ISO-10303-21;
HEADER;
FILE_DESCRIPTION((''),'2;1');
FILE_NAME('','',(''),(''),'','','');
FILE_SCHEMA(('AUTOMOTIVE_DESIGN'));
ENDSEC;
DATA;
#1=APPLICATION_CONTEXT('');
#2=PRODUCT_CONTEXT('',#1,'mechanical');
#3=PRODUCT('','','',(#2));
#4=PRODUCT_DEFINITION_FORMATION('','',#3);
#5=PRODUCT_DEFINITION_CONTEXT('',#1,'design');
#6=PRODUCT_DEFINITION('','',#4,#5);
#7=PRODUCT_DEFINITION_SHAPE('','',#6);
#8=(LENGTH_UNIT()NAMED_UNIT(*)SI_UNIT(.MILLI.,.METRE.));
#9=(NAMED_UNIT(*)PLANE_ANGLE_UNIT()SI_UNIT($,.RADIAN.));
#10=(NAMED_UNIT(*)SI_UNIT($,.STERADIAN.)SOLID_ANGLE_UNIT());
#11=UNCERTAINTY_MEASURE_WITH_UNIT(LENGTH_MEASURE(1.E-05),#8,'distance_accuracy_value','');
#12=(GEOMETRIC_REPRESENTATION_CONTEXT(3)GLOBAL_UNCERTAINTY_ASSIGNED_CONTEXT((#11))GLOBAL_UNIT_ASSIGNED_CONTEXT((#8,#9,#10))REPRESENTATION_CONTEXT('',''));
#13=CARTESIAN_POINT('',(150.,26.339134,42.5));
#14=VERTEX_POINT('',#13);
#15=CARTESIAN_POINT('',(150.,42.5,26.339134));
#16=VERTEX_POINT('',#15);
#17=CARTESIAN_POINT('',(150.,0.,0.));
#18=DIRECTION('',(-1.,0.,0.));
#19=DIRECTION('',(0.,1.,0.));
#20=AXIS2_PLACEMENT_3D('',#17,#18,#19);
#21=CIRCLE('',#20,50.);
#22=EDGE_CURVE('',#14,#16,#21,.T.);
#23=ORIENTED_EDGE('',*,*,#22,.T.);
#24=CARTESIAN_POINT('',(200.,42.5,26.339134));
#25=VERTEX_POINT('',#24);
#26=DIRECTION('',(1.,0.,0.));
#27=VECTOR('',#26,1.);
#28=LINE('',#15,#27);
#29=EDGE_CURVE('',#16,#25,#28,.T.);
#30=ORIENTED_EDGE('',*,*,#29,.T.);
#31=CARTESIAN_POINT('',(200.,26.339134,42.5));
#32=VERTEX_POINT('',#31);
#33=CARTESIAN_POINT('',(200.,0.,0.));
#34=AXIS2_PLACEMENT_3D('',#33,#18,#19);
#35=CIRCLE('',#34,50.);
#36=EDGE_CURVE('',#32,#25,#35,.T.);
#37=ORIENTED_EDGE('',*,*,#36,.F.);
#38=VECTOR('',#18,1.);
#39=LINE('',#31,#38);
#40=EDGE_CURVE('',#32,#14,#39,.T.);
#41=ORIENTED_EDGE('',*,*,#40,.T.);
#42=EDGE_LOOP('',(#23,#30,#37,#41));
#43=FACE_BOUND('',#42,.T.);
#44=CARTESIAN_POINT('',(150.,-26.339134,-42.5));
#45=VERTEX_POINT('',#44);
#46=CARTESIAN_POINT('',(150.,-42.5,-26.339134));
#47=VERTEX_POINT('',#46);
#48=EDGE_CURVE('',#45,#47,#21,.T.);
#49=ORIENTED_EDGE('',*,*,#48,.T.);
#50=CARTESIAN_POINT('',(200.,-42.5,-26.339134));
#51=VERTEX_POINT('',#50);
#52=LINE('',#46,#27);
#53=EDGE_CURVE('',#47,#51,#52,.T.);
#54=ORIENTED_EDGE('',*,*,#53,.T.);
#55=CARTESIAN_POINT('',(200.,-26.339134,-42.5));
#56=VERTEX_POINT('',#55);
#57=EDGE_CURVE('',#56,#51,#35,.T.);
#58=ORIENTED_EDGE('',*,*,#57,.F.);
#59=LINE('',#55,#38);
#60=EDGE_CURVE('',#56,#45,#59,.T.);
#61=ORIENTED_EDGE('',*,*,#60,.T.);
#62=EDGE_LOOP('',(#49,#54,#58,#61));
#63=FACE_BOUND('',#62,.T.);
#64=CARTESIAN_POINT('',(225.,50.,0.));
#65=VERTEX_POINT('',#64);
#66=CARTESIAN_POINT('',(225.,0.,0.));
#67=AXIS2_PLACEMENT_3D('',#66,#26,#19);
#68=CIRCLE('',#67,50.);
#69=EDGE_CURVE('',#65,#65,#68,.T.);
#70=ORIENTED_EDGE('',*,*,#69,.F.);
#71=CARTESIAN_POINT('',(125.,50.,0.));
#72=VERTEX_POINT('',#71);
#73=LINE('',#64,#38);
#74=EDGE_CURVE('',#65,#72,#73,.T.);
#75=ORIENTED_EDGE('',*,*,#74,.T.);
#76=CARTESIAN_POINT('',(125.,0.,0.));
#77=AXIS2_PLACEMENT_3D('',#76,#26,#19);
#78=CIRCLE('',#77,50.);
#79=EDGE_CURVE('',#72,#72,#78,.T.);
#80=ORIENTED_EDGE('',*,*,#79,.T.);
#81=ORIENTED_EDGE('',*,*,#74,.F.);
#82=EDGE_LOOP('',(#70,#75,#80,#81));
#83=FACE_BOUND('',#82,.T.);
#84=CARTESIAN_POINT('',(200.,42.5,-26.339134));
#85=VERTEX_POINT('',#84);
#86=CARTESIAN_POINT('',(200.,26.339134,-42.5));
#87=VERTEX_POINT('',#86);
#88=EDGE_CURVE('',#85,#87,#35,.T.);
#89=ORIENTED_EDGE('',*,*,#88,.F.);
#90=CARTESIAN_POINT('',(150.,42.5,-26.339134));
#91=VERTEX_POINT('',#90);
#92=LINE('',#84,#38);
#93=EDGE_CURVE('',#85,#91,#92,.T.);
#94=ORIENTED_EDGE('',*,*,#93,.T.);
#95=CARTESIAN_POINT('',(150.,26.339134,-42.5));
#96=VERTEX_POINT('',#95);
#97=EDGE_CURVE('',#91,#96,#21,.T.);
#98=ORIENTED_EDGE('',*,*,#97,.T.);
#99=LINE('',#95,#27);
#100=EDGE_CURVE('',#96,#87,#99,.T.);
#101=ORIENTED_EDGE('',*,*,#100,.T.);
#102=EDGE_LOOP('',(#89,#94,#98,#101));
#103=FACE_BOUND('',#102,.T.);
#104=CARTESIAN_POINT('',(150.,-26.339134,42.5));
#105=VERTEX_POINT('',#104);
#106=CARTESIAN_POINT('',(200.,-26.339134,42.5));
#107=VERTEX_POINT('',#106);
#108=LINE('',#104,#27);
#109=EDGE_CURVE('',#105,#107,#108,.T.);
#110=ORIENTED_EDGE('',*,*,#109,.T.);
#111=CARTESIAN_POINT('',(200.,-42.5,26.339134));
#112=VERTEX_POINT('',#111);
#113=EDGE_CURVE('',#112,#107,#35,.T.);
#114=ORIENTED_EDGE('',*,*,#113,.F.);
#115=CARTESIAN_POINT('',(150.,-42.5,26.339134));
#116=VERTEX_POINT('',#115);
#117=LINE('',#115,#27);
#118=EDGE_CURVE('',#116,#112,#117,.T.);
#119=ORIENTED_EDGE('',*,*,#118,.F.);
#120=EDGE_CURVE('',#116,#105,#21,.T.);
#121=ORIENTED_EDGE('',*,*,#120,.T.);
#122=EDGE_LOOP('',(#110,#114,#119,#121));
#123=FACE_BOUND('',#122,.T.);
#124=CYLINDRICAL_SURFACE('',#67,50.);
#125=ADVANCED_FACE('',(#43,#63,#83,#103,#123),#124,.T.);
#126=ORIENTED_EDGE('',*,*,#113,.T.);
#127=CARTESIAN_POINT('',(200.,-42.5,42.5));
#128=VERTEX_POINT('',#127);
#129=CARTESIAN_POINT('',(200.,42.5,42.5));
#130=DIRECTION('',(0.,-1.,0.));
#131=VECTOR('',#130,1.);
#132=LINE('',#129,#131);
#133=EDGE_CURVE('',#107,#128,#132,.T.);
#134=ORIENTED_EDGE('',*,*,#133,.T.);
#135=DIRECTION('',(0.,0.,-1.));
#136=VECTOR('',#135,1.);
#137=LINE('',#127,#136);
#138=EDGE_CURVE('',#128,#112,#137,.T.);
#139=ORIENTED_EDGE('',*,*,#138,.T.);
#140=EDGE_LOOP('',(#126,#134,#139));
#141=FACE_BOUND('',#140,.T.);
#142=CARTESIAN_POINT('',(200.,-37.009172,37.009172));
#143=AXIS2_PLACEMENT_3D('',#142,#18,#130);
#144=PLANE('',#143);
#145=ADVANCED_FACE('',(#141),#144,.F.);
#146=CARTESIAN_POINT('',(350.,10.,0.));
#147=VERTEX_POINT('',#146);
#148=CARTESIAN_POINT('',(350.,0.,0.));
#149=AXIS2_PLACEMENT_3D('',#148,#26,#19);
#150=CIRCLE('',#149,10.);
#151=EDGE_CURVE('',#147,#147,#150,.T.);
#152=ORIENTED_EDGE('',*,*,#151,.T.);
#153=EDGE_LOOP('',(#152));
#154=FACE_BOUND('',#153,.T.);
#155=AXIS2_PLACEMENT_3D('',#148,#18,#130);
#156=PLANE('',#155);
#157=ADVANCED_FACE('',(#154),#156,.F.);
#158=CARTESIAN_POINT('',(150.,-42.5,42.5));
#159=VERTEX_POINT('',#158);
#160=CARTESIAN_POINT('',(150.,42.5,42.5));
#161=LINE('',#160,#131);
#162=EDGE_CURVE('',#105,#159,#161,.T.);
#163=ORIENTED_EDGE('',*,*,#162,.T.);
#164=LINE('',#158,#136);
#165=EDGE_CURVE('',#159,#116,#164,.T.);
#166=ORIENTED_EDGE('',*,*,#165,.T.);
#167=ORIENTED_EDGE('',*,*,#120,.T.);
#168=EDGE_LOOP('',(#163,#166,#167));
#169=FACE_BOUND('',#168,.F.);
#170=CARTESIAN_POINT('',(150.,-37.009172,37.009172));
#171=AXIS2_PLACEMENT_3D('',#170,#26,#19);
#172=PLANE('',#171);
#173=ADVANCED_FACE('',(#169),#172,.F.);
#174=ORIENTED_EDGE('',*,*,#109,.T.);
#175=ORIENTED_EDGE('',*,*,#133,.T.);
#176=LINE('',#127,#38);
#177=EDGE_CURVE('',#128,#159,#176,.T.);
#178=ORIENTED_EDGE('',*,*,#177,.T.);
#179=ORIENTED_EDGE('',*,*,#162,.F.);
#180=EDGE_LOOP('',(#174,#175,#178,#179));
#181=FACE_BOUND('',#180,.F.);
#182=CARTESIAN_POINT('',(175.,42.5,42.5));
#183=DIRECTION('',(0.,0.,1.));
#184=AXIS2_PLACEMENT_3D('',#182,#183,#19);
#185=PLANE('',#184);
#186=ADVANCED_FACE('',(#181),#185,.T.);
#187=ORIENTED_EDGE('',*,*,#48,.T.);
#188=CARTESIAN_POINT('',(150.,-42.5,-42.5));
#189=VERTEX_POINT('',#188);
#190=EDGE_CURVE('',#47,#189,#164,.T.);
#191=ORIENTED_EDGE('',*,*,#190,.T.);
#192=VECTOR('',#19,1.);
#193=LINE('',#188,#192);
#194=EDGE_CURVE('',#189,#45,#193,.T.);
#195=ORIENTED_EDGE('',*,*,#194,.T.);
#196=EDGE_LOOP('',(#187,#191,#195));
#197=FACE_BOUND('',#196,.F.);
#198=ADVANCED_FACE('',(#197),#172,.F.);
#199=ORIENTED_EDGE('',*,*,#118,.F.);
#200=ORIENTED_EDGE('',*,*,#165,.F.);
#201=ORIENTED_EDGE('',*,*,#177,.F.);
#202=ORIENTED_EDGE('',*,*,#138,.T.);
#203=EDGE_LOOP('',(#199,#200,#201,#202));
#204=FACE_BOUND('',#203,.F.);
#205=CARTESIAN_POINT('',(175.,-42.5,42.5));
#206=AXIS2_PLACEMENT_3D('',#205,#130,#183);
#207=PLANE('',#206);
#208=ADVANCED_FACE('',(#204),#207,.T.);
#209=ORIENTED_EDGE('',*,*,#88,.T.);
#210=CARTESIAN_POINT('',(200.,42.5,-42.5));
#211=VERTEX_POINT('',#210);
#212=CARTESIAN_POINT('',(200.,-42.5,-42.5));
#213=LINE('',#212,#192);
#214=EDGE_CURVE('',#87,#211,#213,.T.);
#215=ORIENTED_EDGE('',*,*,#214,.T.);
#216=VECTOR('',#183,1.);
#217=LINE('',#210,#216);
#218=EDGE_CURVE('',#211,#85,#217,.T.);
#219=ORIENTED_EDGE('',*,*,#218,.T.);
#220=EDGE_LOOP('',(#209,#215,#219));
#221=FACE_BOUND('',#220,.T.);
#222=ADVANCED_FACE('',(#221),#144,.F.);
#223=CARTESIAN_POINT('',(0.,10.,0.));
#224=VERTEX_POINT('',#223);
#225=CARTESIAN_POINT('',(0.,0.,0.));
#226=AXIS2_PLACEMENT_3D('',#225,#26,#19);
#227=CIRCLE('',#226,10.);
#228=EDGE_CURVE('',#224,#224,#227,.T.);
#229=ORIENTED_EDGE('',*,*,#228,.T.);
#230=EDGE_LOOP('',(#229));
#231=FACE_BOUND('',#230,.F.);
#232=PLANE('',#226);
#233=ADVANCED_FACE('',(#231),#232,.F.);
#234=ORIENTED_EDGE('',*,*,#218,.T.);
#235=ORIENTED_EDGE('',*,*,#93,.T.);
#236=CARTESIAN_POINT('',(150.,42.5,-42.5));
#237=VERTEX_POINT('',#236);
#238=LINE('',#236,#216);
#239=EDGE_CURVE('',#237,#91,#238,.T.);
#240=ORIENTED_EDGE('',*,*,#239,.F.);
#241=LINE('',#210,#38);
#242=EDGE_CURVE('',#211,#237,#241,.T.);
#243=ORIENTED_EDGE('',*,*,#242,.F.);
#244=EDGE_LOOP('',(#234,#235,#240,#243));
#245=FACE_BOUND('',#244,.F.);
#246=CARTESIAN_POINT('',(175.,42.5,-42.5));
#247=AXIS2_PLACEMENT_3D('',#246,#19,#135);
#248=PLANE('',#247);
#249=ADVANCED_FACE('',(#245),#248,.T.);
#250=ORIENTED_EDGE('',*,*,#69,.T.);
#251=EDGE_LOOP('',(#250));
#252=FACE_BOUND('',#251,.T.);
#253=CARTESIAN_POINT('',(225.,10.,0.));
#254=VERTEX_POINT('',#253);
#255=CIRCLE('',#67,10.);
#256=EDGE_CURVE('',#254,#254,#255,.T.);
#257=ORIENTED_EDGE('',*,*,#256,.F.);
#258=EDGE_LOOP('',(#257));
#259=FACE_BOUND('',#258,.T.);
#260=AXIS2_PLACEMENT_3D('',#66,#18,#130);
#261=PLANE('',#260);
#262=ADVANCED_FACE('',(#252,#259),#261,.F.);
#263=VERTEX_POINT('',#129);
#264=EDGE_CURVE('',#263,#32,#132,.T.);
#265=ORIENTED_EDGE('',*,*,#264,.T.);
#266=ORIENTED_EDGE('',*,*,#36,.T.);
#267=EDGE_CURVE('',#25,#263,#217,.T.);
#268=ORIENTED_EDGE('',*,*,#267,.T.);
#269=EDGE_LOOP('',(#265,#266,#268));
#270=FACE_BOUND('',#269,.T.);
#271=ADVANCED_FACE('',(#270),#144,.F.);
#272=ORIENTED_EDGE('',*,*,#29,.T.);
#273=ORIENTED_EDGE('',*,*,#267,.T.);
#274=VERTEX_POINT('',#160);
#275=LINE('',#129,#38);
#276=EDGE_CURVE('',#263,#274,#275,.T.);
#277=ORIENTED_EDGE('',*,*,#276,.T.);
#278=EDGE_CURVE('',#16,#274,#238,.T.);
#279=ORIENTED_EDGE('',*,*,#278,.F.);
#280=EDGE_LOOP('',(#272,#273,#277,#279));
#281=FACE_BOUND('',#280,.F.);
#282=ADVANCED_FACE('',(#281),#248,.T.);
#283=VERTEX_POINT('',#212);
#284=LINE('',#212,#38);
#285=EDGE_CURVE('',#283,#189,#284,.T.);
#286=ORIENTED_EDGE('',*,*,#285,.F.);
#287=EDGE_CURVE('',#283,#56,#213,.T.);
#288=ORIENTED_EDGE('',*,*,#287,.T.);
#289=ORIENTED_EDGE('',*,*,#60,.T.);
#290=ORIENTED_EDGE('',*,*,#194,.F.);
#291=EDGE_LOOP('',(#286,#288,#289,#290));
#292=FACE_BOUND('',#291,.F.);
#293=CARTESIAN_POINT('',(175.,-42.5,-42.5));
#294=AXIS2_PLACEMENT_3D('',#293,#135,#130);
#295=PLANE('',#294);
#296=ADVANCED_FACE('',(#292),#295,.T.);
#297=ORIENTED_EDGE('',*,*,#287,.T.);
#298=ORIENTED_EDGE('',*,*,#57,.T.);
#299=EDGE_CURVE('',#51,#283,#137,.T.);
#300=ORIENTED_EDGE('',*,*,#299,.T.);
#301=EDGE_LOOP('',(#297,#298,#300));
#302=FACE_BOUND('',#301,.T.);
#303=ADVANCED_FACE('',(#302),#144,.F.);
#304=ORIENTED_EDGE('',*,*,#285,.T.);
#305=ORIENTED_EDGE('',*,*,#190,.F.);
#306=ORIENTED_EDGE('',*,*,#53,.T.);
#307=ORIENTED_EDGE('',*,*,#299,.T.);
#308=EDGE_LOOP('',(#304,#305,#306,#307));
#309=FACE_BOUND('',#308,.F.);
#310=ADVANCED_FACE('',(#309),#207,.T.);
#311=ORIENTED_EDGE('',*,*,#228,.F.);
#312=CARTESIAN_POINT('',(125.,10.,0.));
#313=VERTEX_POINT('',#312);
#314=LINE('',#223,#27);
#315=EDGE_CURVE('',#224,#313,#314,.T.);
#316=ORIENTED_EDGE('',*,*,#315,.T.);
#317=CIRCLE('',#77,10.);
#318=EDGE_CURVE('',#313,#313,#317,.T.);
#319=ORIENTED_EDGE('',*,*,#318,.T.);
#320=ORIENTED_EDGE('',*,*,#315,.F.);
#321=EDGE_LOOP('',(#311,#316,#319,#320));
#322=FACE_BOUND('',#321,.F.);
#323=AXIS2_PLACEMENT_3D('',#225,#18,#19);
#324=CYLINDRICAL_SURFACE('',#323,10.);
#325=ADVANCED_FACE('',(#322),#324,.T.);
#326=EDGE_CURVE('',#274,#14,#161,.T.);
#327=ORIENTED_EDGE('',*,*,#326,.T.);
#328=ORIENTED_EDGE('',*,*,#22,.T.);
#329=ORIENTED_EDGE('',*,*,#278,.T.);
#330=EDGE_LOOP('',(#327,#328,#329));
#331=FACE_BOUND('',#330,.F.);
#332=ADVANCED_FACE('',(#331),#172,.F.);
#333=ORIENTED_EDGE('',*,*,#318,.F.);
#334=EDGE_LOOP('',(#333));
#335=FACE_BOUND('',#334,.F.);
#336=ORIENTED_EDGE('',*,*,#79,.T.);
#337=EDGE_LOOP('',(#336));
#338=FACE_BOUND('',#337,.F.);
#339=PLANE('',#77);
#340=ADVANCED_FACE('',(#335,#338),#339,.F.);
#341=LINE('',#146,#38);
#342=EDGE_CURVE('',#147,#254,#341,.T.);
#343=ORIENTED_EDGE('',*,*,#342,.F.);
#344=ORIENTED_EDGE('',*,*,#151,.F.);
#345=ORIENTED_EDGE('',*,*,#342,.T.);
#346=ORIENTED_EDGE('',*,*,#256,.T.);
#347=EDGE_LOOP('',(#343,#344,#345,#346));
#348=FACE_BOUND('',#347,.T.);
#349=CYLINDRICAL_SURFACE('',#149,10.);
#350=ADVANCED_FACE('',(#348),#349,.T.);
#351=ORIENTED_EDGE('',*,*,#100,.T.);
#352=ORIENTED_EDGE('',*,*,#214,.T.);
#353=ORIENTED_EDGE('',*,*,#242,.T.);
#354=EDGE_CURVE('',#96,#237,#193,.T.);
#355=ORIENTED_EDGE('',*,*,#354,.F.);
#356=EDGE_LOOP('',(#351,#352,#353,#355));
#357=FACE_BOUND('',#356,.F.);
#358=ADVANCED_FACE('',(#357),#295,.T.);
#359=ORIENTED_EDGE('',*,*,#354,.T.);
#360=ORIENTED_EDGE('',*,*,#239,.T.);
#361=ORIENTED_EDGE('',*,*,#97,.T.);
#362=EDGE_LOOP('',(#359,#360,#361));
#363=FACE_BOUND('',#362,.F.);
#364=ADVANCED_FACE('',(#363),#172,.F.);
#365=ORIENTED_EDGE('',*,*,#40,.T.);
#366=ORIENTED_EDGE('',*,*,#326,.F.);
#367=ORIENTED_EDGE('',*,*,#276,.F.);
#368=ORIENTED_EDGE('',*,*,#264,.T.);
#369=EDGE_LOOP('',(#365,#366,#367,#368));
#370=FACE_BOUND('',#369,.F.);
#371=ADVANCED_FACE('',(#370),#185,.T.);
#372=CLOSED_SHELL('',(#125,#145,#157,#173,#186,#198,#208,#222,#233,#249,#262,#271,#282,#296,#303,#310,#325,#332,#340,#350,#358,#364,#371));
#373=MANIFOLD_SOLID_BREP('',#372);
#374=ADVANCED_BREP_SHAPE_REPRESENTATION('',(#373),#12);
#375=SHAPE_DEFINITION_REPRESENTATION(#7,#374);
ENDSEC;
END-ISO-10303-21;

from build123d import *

# Parameters (mm, degrees)
F0_R     = 10
F1_DEPTH = 125
F2_R     = 50
F2_R_2   = 10
F3_DEPTH = 50
F5_DEPTH = 25


with BuildPart() as f1:
    # F0 (on Right) → F1 (new body)
    with BuildSketch(Plane.YZ):
        Circle(F0_R)
    extrude(amount=F1_DEPTH)

    # F2 (on face) → F3 (join)
    with BuildSketch(Plane.YZ.offset(125)):
        Circle(F2_R)
        Circle(F2_R_2, mode=Mode.SUBTRACT)
        Circle(F2_R_2)
    extrude(amount=F3_DEPTH)

    # F4 (on face) → F5 (join)
    with BuildSketch(Plane.YZ.offset(175)):
        with BuildLine():
            Line((-42.5, 42.5), (-42.5, 26.339134))
            ThreePointArc((-42.5, 26.339134), (-35.355339, 35.355339), (-26.339134, 42.5))
            Line((-26.339134, 42.5), (-42.5, 42.5))
        make_face()
        with BuildLine():
            ThreePointArc((26.339134, 42.5), (35.355339, 35.355339), (42.5, 26.339134))
            Line((42.5, 26.339134), (42.5, 42.5))
            Line((42.5, 42.5), (26.339134, 42.5))
        make_face()
        with BuildLine():
            Line((26.339134, -42.5), (42.5, -42.5))
            Line((42.5, -42.5), (42.5, -26.339134))
            ThreePointArc((42.5, -26.339134), (35.355339, -35.355339), (26.339134, -42.5))
        make_face()
        with BuildLine():
            Line((-42.5, -42.5), (-26.339134, -42.5))
            ThreePointArc((-26.339134, -42.5), (-35.355339, -35.355339), (-42.5, -26.339134))
            Line((-42.5, -26.339134), (-42.5, -42.5))
        make_face()
        with BuildLine():
            Line((-26.339134, -42.5), (26.339134, -42.5))
            ThreePointArc((26.339134, -42.5), (35.355339, -35.355339), (42.5, -26.339134))
            Line((42.5, -26.339134), (42.5, 26.339134))
            ThreePointArc((42.5, 26.339134), (35.355339, 35.355339), (26.339134, 42.5))
            Line((26.339134, 42.5), (-26.339134, 42.5))
            ThreePointArc((-26.339134, 42.5), (-35.355339, 35.355339), (-42.5, 26.339134))
            Line((-42.5, 26.339134), (-42.5, -26.339134))
            ThreePointArc((-42.5, -26.339134), (-35.355339, -35.355339), (-26.339134, -42.5))
        make_face()
    extrude(amount=-F5_DEPTH)

    # F6: F1 across face


with BuildPart() as f1_1:
    add(f1.part)
    add(f1.part.mirror(Plane.YZ.offset(175)))


solid = f1_1.part
